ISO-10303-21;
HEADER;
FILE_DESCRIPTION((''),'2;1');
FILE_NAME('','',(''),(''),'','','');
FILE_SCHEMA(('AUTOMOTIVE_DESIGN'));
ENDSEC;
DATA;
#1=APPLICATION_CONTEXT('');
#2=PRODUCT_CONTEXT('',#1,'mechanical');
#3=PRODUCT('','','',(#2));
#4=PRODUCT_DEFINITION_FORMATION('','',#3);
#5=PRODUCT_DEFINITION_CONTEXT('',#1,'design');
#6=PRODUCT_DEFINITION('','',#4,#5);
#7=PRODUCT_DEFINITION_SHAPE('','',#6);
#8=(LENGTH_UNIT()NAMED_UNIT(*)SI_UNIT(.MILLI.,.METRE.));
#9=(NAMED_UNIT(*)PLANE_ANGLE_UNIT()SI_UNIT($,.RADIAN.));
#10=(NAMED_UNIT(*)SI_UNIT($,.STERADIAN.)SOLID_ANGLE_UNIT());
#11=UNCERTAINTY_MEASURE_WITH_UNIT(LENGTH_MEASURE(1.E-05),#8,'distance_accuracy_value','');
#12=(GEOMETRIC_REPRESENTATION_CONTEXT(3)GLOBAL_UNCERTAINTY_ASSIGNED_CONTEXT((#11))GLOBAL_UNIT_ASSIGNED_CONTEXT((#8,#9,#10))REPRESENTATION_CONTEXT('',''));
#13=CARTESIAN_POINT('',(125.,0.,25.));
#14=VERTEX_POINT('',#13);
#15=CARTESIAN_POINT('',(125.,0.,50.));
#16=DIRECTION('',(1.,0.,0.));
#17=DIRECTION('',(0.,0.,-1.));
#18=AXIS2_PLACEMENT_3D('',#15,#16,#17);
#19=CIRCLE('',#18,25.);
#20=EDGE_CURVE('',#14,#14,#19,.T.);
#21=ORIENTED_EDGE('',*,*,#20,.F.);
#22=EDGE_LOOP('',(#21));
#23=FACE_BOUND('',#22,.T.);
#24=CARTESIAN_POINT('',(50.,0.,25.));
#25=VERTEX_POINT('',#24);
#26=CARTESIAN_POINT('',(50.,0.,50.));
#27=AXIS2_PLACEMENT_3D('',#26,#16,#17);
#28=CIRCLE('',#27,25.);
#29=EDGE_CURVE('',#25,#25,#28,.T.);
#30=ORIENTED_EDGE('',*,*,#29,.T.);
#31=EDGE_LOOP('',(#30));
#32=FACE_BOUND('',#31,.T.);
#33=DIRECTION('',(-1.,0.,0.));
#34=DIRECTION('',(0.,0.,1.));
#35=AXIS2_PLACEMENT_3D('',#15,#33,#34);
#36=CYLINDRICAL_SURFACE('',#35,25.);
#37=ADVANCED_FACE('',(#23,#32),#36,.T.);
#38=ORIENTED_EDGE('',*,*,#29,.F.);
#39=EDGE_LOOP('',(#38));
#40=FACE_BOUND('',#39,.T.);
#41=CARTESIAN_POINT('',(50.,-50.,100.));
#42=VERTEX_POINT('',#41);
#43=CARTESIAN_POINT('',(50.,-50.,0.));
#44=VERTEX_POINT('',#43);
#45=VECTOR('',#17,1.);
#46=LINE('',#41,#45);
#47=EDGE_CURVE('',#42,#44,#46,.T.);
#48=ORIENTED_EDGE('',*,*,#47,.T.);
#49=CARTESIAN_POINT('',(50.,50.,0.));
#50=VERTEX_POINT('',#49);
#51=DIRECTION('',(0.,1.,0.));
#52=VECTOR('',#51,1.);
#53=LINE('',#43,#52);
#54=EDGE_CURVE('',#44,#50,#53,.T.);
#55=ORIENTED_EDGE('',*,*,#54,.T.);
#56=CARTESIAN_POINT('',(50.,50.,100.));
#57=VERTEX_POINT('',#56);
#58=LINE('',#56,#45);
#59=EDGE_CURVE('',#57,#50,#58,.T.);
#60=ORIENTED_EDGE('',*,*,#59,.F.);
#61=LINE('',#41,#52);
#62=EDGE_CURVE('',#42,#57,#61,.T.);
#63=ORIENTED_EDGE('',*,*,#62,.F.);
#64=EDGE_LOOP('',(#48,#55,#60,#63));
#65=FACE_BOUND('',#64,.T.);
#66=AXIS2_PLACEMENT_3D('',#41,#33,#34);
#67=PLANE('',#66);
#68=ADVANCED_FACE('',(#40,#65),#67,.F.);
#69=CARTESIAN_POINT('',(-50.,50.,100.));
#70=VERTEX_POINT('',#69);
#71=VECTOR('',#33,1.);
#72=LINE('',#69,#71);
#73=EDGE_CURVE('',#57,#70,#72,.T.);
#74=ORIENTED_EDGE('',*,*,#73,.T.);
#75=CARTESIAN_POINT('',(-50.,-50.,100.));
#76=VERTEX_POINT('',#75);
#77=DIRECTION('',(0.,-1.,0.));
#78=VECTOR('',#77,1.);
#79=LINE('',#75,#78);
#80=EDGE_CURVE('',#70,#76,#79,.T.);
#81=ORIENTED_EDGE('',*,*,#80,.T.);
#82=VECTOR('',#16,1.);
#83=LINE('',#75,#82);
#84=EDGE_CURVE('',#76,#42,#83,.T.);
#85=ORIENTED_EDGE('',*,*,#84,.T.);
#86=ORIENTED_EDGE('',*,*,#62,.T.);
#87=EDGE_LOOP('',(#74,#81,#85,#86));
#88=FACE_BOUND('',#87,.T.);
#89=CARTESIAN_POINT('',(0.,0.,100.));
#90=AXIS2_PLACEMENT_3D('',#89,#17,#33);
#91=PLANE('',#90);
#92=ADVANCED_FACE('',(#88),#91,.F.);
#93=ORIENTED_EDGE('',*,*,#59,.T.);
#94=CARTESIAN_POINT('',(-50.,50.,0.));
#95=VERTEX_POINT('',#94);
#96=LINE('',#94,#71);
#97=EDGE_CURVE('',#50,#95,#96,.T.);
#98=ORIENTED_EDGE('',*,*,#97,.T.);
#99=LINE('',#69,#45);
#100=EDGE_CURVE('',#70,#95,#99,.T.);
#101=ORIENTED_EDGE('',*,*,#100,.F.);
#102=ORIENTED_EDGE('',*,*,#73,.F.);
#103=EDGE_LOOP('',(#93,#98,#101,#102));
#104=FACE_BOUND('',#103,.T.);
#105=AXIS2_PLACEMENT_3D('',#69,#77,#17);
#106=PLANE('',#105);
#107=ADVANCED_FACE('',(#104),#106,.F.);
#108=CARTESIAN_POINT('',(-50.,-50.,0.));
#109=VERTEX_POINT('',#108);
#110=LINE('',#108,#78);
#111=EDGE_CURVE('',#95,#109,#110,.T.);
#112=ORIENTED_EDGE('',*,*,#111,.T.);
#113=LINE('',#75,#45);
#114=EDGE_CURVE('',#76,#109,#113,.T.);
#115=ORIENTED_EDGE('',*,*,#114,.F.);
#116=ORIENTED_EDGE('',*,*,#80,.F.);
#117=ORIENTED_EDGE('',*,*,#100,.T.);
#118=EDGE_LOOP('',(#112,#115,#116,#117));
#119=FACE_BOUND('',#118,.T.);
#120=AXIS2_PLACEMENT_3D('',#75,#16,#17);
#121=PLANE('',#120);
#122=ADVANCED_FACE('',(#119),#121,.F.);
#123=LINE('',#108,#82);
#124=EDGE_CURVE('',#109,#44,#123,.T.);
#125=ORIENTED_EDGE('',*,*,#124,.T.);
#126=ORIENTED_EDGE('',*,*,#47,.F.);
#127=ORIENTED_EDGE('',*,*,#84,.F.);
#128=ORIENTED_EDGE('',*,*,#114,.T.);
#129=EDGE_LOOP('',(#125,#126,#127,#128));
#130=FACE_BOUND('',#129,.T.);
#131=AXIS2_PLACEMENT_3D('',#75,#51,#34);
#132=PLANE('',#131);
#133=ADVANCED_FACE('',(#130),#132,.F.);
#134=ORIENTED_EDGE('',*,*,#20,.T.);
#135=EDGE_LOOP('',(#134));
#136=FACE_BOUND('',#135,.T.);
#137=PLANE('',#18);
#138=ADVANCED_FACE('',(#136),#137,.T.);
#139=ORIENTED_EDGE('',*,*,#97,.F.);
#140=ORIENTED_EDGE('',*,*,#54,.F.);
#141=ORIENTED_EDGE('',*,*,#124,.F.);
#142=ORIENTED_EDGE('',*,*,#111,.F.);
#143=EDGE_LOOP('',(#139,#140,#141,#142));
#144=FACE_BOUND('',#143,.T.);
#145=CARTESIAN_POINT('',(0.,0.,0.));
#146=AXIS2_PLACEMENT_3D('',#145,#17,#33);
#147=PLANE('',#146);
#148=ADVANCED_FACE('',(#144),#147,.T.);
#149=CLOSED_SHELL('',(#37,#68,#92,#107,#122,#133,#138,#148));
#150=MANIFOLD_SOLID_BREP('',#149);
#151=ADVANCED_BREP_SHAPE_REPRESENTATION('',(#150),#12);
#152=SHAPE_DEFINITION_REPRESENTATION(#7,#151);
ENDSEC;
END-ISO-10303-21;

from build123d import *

# Parameters (mm, degrees)
SKETCH_1_W      = 100
SKETCH_1_H      = 100
EXTRUDE_1_DEPTH = 100
SKETCH_2_R      = 25
EXTRUDE_2_DEPTH = 75


with BuildPart() as part:
    # Эскиз1 → Бобышка-Вытянуть1 (new body)
    with BuildSketch(Plane.XY):
        Rectangle(SKETCH_1_W, SKETCH_1_H)
    extrude(amount=EXTRUDE_1_DEPTH)

    # Эскиз2 → Бобышка-Вытянуть2 (add)
    with BuildSketch(Plane(origin=(50, 0, 0), x_dir=(0, 0, -1), z_dir=(1, 0, 0))):
        with Locations((-50, 0)):
            Circle(SKETCH_2_R)
    extrude(amount=EXTRUDE_2_DEPTH)


solid = part.part
